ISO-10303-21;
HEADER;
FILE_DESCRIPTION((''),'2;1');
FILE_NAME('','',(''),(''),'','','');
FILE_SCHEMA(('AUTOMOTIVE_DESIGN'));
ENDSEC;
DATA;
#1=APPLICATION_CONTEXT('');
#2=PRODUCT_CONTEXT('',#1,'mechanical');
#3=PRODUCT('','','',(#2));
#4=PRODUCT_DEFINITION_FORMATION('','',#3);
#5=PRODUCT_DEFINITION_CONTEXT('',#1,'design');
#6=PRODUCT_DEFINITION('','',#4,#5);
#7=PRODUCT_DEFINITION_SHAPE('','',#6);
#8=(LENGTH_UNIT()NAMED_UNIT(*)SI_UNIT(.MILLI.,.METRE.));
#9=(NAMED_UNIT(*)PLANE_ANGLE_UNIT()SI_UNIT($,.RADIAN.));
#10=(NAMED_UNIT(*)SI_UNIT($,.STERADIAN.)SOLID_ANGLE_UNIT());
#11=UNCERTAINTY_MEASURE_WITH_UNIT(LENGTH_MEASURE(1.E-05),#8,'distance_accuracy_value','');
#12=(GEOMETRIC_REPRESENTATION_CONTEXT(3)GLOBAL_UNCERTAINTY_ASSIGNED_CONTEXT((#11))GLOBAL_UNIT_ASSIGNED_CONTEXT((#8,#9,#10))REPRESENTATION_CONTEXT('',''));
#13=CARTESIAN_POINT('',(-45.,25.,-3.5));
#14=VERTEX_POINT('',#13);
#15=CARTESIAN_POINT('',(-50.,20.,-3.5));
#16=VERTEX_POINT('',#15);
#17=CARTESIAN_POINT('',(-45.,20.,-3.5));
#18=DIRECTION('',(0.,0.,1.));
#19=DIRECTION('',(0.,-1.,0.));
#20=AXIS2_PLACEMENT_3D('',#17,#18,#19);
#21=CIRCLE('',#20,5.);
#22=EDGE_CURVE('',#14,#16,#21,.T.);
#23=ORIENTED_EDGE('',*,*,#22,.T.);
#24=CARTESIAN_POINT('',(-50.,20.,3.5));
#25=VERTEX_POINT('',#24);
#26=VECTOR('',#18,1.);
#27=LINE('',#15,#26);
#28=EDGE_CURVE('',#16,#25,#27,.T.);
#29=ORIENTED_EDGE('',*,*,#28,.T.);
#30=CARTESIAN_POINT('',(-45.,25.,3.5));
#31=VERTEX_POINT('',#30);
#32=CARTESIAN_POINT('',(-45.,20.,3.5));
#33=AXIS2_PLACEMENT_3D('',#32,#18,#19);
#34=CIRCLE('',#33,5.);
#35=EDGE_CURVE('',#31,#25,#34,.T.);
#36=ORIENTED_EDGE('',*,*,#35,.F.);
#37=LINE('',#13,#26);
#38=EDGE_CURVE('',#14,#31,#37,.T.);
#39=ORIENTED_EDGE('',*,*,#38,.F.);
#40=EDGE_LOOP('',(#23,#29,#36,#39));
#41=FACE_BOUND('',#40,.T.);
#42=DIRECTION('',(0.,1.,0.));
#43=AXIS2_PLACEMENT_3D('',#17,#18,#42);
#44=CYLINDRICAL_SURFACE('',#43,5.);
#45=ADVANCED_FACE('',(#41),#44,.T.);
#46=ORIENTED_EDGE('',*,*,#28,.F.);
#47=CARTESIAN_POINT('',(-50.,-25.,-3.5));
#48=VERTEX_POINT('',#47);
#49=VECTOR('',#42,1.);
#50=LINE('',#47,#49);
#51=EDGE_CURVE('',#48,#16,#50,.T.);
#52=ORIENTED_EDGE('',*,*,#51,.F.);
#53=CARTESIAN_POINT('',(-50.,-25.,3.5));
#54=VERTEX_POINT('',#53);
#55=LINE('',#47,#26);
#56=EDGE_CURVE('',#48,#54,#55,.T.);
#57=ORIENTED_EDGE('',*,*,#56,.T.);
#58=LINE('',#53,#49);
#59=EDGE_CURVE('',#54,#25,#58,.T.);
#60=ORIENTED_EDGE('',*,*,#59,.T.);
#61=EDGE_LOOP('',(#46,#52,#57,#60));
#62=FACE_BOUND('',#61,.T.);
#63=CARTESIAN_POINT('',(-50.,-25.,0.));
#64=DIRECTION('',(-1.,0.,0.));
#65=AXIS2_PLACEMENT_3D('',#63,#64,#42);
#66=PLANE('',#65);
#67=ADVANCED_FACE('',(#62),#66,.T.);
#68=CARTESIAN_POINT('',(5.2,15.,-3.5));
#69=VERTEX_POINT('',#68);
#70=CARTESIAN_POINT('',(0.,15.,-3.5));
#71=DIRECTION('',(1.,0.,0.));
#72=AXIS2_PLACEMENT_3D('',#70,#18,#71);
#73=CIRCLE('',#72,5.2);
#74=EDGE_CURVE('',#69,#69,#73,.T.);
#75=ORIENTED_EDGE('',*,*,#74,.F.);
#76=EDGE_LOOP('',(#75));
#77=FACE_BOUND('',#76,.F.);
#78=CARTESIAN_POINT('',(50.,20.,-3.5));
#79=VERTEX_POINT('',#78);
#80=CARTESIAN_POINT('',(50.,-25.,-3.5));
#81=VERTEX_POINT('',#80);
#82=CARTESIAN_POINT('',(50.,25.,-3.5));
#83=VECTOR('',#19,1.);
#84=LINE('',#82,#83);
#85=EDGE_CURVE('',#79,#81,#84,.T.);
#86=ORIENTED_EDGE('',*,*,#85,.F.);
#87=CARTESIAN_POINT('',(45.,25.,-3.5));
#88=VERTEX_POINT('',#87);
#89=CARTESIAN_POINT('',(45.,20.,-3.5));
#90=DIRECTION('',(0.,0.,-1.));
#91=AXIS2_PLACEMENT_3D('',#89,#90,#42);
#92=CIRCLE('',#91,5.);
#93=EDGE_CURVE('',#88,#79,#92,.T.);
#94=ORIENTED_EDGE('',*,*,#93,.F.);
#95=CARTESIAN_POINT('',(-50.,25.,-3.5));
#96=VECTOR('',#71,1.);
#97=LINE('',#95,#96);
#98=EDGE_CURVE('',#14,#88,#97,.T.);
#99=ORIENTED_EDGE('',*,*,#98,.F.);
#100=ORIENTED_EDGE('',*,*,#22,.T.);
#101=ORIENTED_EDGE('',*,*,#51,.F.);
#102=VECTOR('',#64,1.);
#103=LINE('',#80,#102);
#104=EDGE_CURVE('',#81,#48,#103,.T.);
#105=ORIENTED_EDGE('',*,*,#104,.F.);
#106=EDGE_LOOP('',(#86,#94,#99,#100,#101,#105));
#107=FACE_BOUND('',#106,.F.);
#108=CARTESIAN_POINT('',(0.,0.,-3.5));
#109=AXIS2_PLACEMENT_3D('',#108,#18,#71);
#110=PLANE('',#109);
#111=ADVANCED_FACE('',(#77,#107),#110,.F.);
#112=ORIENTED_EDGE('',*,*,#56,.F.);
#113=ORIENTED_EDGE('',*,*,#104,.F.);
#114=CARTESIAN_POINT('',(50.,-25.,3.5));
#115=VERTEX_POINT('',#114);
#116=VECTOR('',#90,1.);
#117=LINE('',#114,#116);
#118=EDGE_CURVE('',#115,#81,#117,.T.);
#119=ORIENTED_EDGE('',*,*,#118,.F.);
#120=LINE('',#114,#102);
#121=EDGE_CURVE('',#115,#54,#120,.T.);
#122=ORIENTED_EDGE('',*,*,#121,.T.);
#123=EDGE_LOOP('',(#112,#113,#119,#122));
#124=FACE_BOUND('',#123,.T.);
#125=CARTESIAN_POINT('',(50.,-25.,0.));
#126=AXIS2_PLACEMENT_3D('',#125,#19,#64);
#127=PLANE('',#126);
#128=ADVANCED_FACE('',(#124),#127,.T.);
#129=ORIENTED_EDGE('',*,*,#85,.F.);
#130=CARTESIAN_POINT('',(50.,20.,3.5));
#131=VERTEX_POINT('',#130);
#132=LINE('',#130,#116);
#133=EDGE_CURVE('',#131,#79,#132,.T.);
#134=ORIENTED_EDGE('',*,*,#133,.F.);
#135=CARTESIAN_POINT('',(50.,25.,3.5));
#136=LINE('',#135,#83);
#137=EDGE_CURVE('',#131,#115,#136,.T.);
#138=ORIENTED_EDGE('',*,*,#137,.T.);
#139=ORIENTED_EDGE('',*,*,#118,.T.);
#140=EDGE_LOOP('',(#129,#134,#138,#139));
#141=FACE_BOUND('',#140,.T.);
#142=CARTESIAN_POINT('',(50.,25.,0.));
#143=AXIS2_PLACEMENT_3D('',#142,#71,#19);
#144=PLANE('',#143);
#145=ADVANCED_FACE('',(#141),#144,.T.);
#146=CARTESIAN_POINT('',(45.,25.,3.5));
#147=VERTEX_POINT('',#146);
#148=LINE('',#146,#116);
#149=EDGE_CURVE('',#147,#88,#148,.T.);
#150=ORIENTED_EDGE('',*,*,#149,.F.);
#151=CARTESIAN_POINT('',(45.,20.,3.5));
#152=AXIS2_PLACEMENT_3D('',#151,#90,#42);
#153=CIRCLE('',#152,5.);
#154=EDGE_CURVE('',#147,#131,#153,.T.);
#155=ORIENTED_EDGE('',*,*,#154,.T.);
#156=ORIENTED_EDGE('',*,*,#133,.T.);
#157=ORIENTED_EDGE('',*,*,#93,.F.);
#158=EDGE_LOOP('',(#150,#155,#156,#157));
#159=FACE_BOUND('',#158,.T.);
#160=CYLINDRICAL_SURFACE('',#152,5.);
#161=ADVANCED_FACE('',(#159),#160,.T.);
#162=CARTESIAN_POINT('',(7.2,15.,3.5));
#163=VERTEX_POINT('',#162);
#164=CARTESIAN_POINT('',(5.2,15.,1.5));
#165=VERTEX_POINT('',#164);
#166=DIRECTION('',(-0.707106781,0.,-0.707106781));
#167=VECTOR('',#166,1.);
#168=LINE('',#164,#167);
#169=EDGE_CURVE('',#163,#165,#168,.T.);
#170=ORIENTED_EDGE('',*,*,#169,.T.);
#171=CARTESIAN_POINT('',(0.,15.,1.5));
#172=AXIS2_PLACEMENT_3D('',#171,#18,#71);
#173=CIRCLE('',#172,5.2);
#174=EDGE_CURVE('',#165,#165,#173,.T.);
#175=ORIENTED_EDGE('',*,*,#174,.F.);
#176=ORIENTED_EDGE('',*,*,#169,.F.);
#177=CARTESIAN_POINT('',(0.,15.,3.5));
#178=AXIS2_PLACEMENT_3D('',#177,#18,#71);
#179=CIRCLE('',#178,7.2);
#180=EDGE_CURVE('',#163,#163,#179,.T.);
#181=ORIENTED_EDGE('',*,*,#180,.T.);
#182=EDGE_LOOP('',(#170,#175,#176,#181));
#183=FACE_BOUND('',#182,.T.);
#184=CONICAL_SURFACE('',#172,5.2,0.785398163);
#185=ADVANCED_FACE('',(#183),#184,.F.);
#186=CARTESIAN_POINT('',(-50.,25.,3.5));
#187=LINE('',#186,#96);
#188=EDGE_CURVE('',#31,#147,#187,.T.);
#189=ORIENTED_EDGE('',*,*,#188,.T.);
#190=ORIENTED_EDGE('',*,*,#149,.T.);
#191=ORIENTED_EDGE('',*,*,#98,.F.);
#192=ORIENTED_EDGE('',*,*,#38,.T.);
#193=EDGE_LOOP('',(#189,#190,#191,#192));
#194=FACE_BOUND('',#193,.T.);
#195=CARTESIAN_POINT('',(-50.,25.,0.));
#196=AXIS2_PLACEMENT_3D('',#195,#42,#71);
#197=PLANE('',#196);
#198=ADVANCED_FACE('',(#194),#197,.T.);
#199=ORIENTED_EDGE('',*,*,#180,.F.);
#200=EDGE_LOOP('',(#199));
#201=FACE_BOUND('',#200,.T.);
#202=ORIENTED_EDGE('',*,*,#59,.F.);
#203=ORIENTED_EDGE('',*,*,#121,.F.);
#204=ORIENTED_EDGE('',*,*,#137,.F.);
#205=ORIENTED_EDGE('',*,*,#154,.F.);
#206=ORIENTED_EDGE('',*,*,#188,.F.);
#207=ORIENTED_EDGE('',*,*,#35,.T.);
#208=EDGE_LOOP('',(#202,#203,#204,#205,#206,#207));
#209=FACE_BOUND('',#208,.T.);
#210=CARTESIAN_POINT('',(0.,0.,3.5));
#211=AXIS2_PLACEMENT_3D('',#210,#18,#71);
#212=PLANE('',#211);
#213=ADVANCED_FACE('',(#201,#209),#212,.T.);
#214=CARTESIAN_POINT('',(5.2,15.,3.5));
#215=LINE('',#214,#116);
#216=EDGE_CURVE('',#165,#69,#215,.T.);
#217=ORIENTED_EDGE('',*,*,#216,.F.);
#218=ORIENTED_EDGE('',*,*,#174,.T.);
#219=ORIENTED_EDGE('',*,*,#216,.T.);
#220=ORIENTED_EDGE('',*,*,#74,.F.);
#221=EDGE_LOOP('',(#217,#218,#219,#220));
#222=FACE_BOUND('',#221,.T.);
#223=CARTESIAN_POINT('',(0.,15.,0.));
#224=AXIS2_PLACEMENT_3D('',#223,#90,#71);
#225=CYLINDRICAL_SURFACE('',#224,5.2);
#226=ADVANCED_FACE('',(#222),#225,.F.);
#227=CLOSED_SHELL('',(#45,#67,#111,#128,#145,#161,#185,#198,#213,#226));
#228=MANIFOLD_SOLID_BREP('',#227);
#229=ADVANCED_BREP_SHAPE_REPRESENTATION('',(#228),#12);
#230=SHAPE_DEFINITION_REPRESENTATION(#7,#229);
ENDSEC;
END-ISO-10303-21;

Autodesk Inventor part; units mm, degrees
sketch "Sketch1" plane through (0, 0, 0) normal (0, 0, 1) x (1, 0, 0)
  line L0 (-50, 25) -> (50, 25)
  line L1 (50, 25) -> (50, -25)
  line L2 (50, -25) -> (-50, -25)
  line L3 (-50, -25) -> (-50, 25)
  line L4 (-50, 25) -> (50, -25) construction
  line L5 (50, 25) -> (-50, -25) construction
  circle A0 centre (0, 15) radius 5.2
  circle A1 centre (0, 15) radius 5 projected
  point P0 (0, 0)
  point P1 (0, 0)
  dimension "d0" = 100
  dimension "d1" = 50
  dimension "d2" = 15
  dimension "d7" = 10.4
extrude "Extrusion1" add sketch "Sketch1" along normal mid plane 7 contours L0 L1 L2 L3
fillet "Fillet1" radius 5 2 edges at (50, 25, 0) (-50, 25, 0)
chamfer "Chamfer1" distance 2 angle 45 1 edges at (-5.2, 15, 3.5)
properties part number "sessao_07_04_003_001"
